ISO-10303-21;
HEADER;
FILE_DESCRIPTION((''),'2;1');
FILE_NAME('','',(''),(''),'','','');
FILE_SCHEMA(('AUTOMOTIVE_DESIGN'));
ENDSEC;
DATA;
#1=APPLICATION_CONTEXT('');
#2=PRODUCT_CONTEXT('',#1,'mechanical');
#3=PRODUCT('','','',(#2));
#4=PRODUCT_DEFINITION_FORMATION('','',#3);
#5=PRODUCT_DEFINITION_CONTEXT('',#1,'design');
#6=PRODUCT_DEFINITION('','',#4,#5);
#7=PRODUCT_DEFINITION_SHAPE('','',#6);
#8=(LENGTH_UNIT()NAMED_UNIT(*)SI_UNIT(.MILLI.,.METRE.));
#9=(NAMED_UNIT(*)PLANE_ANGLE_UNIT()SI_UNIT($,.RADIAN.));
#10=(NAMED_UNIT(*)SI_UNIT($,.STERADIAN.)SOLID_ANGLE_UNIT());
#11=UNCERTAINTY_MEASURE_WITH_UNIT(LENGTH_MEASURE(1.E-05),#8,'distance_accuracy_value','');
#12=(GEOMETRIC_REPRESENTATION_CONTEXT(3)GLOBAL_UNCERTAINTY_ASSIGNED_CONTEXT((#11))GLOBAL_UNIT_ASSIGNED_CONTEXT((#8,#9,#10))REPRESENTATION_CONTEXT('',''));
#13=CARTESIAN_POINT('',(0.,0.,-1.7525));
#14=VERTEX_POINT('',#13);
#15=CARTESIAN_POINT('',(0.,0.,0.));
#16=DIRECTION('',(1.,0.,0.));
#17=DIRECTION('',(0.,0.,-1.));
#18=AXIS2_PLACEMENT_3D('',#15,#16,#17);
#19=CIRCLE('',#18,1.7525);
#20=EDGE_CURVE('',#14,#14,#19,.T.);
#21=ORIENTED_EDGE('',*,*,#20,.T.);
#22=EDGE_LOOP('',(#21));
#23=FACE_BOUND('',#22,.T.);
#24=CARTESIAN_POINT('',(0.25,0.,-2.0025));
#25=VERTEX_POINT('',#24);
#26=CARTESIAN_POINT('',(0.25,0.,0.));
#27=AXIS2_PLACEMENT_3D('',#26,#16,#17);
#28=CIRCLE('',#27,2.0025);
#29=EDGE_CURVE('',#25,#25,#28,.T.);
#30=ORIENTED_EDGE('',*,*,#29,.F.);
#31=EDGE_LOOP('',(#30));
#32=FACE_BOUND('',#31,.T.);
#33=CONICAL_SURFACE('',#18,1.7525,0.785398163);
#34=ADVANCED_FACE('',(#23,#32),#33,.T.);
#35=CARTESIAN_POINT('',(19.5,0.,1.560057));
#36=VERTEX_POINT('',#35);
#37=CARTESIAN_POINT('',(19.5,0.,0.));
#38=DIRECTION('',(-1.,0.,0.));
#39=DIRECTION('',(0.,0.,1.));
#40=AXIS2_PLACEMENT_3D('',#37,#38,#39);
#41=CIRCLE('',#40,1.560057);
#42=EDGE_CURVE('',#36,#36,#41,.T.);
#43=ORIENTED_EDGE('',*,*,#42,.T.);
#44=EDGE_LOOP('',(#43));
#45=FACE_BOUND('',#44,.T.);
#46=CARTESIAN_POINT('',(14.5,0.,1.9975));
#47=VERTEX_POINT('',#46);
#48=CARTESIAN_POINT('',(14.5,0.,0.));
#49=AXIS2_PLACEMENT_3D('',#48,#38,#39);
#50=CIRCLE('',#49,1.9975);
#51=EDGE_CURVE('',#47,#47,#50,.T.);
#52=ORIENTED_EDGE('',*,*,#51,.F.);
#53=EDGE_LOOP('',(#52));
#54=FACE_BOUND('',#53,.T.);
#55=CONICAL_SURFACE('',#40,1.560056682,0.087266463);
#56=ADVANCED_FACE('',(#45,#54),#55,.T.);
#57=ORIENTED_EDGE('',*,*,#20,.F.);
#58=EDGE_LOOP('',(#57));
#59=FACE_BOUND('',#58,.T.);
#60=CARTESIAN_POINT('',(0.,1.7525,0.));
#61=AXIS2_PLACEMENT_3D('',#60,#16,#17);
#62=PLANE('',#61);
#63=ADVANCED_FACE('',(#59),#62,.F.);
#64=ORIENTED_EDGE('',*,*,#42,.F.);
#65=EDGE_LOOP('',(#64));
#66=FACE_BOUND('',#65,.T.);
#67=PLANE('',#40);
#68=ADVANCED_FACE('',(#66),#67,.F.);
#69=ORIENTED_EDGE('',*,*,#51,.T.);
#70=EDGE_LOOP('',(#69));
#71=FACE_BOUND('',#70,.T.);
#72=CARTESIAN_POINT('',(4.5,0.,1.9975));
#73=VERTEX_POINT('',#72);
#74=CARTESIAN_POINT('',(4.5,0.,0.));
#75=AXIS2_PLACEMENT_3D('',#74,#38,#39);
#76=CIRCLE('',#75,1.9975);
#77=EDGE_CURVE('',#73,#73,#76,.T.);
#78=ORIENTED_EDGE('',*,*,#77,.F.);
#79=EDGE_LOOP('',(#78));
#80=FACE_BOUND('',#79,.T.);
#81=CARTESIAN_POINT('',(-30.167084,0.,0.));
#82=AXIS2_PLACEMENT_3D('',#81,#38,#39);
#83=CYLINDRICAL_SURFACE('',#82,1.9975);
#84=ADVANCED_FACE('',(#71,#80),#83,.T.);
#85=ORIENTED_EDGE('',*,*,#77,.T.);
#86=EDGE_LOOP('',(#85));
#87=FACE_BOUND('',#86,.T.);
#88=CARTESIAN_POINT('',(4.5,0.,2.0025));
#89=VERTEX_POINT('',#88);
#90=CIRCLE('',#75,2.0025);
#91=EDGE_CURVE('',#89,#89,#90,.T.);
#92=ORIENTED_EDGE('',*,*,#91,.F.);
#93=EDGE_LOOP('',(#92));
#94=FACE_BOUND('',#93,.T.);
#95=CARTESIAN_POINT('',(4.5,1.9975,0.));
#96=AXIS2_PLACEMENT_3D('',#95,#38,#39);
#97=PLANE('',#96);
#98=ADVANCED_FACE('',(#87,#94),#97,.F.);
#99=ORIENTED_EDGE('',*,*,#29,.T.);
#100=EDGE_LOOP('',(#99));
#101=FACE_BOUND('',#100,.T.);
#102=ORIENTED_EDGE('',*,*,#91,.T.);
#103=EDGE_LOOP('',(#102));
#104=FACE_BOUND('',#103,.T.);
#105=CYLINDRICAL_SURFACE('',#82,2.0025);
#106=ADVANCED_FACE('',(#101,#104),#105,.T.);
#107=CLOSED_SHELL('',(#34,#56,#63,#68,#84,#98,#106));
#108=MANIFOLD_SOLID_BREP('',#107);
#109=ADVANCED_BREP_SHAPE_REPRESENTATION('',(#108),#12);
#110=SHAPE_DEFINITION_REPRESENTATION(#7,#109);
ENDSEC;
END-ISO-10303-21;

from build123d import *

# Parameters (mm, degrees)
FILLET1_R = 0.25


with BuildPart() as part:
    # Sketch1 → Revolve1 (revolve)
    with BuildSketch(Plane.XY, mode=Mode.PRIVATE) as revolve1_sk:
        Polygon((0, 2.0025), (0, 3.5), (-1, 3.5), (-1, 0), (19.5, 0), (19.5, 1.560056682), (14.5, 1.9975), (4.5, 1.9975), (4.5, 2.0025), align=None)
    revolve(revolve1_sk.sketch.rotate(Axis((-30.167084044, 0, 0), (1, 0, 0)), 90), axis=Axis((-30.167084044, 0, 0), (1, 0, 0)))  # turned: the seam where the file's is

    # Fillet1
    fillet1_edges = [part.edges().sort_by_distance(p)[0] for p in [
        (0, 0, -2.0025),
    ]]
    fillet(fillet1_edges, radius=FILLET1_R)

    # Sketch2 → Cut-Revolve1 (revolve, cut)
    with BuildSketch(Plane.XY, mode=Mode.PRIVATE) as cut_revolve1_sk:
        Polygon((0.25, 2.0025), (0, 1.7525), (0, 0), (-1, 0), (-1, 3.5), (0, 3.5), align=None)
    revolve(cut_revolve1_sk.sketch.rotate(Axis((0, 0, 0), (-1, 0, 0)), 270), axis=Axis((0, 0, 0), (-1, 0, 0)), mode=Mode.SUBTRACT)  # turned: the seam where the file's is


solid = part.part
